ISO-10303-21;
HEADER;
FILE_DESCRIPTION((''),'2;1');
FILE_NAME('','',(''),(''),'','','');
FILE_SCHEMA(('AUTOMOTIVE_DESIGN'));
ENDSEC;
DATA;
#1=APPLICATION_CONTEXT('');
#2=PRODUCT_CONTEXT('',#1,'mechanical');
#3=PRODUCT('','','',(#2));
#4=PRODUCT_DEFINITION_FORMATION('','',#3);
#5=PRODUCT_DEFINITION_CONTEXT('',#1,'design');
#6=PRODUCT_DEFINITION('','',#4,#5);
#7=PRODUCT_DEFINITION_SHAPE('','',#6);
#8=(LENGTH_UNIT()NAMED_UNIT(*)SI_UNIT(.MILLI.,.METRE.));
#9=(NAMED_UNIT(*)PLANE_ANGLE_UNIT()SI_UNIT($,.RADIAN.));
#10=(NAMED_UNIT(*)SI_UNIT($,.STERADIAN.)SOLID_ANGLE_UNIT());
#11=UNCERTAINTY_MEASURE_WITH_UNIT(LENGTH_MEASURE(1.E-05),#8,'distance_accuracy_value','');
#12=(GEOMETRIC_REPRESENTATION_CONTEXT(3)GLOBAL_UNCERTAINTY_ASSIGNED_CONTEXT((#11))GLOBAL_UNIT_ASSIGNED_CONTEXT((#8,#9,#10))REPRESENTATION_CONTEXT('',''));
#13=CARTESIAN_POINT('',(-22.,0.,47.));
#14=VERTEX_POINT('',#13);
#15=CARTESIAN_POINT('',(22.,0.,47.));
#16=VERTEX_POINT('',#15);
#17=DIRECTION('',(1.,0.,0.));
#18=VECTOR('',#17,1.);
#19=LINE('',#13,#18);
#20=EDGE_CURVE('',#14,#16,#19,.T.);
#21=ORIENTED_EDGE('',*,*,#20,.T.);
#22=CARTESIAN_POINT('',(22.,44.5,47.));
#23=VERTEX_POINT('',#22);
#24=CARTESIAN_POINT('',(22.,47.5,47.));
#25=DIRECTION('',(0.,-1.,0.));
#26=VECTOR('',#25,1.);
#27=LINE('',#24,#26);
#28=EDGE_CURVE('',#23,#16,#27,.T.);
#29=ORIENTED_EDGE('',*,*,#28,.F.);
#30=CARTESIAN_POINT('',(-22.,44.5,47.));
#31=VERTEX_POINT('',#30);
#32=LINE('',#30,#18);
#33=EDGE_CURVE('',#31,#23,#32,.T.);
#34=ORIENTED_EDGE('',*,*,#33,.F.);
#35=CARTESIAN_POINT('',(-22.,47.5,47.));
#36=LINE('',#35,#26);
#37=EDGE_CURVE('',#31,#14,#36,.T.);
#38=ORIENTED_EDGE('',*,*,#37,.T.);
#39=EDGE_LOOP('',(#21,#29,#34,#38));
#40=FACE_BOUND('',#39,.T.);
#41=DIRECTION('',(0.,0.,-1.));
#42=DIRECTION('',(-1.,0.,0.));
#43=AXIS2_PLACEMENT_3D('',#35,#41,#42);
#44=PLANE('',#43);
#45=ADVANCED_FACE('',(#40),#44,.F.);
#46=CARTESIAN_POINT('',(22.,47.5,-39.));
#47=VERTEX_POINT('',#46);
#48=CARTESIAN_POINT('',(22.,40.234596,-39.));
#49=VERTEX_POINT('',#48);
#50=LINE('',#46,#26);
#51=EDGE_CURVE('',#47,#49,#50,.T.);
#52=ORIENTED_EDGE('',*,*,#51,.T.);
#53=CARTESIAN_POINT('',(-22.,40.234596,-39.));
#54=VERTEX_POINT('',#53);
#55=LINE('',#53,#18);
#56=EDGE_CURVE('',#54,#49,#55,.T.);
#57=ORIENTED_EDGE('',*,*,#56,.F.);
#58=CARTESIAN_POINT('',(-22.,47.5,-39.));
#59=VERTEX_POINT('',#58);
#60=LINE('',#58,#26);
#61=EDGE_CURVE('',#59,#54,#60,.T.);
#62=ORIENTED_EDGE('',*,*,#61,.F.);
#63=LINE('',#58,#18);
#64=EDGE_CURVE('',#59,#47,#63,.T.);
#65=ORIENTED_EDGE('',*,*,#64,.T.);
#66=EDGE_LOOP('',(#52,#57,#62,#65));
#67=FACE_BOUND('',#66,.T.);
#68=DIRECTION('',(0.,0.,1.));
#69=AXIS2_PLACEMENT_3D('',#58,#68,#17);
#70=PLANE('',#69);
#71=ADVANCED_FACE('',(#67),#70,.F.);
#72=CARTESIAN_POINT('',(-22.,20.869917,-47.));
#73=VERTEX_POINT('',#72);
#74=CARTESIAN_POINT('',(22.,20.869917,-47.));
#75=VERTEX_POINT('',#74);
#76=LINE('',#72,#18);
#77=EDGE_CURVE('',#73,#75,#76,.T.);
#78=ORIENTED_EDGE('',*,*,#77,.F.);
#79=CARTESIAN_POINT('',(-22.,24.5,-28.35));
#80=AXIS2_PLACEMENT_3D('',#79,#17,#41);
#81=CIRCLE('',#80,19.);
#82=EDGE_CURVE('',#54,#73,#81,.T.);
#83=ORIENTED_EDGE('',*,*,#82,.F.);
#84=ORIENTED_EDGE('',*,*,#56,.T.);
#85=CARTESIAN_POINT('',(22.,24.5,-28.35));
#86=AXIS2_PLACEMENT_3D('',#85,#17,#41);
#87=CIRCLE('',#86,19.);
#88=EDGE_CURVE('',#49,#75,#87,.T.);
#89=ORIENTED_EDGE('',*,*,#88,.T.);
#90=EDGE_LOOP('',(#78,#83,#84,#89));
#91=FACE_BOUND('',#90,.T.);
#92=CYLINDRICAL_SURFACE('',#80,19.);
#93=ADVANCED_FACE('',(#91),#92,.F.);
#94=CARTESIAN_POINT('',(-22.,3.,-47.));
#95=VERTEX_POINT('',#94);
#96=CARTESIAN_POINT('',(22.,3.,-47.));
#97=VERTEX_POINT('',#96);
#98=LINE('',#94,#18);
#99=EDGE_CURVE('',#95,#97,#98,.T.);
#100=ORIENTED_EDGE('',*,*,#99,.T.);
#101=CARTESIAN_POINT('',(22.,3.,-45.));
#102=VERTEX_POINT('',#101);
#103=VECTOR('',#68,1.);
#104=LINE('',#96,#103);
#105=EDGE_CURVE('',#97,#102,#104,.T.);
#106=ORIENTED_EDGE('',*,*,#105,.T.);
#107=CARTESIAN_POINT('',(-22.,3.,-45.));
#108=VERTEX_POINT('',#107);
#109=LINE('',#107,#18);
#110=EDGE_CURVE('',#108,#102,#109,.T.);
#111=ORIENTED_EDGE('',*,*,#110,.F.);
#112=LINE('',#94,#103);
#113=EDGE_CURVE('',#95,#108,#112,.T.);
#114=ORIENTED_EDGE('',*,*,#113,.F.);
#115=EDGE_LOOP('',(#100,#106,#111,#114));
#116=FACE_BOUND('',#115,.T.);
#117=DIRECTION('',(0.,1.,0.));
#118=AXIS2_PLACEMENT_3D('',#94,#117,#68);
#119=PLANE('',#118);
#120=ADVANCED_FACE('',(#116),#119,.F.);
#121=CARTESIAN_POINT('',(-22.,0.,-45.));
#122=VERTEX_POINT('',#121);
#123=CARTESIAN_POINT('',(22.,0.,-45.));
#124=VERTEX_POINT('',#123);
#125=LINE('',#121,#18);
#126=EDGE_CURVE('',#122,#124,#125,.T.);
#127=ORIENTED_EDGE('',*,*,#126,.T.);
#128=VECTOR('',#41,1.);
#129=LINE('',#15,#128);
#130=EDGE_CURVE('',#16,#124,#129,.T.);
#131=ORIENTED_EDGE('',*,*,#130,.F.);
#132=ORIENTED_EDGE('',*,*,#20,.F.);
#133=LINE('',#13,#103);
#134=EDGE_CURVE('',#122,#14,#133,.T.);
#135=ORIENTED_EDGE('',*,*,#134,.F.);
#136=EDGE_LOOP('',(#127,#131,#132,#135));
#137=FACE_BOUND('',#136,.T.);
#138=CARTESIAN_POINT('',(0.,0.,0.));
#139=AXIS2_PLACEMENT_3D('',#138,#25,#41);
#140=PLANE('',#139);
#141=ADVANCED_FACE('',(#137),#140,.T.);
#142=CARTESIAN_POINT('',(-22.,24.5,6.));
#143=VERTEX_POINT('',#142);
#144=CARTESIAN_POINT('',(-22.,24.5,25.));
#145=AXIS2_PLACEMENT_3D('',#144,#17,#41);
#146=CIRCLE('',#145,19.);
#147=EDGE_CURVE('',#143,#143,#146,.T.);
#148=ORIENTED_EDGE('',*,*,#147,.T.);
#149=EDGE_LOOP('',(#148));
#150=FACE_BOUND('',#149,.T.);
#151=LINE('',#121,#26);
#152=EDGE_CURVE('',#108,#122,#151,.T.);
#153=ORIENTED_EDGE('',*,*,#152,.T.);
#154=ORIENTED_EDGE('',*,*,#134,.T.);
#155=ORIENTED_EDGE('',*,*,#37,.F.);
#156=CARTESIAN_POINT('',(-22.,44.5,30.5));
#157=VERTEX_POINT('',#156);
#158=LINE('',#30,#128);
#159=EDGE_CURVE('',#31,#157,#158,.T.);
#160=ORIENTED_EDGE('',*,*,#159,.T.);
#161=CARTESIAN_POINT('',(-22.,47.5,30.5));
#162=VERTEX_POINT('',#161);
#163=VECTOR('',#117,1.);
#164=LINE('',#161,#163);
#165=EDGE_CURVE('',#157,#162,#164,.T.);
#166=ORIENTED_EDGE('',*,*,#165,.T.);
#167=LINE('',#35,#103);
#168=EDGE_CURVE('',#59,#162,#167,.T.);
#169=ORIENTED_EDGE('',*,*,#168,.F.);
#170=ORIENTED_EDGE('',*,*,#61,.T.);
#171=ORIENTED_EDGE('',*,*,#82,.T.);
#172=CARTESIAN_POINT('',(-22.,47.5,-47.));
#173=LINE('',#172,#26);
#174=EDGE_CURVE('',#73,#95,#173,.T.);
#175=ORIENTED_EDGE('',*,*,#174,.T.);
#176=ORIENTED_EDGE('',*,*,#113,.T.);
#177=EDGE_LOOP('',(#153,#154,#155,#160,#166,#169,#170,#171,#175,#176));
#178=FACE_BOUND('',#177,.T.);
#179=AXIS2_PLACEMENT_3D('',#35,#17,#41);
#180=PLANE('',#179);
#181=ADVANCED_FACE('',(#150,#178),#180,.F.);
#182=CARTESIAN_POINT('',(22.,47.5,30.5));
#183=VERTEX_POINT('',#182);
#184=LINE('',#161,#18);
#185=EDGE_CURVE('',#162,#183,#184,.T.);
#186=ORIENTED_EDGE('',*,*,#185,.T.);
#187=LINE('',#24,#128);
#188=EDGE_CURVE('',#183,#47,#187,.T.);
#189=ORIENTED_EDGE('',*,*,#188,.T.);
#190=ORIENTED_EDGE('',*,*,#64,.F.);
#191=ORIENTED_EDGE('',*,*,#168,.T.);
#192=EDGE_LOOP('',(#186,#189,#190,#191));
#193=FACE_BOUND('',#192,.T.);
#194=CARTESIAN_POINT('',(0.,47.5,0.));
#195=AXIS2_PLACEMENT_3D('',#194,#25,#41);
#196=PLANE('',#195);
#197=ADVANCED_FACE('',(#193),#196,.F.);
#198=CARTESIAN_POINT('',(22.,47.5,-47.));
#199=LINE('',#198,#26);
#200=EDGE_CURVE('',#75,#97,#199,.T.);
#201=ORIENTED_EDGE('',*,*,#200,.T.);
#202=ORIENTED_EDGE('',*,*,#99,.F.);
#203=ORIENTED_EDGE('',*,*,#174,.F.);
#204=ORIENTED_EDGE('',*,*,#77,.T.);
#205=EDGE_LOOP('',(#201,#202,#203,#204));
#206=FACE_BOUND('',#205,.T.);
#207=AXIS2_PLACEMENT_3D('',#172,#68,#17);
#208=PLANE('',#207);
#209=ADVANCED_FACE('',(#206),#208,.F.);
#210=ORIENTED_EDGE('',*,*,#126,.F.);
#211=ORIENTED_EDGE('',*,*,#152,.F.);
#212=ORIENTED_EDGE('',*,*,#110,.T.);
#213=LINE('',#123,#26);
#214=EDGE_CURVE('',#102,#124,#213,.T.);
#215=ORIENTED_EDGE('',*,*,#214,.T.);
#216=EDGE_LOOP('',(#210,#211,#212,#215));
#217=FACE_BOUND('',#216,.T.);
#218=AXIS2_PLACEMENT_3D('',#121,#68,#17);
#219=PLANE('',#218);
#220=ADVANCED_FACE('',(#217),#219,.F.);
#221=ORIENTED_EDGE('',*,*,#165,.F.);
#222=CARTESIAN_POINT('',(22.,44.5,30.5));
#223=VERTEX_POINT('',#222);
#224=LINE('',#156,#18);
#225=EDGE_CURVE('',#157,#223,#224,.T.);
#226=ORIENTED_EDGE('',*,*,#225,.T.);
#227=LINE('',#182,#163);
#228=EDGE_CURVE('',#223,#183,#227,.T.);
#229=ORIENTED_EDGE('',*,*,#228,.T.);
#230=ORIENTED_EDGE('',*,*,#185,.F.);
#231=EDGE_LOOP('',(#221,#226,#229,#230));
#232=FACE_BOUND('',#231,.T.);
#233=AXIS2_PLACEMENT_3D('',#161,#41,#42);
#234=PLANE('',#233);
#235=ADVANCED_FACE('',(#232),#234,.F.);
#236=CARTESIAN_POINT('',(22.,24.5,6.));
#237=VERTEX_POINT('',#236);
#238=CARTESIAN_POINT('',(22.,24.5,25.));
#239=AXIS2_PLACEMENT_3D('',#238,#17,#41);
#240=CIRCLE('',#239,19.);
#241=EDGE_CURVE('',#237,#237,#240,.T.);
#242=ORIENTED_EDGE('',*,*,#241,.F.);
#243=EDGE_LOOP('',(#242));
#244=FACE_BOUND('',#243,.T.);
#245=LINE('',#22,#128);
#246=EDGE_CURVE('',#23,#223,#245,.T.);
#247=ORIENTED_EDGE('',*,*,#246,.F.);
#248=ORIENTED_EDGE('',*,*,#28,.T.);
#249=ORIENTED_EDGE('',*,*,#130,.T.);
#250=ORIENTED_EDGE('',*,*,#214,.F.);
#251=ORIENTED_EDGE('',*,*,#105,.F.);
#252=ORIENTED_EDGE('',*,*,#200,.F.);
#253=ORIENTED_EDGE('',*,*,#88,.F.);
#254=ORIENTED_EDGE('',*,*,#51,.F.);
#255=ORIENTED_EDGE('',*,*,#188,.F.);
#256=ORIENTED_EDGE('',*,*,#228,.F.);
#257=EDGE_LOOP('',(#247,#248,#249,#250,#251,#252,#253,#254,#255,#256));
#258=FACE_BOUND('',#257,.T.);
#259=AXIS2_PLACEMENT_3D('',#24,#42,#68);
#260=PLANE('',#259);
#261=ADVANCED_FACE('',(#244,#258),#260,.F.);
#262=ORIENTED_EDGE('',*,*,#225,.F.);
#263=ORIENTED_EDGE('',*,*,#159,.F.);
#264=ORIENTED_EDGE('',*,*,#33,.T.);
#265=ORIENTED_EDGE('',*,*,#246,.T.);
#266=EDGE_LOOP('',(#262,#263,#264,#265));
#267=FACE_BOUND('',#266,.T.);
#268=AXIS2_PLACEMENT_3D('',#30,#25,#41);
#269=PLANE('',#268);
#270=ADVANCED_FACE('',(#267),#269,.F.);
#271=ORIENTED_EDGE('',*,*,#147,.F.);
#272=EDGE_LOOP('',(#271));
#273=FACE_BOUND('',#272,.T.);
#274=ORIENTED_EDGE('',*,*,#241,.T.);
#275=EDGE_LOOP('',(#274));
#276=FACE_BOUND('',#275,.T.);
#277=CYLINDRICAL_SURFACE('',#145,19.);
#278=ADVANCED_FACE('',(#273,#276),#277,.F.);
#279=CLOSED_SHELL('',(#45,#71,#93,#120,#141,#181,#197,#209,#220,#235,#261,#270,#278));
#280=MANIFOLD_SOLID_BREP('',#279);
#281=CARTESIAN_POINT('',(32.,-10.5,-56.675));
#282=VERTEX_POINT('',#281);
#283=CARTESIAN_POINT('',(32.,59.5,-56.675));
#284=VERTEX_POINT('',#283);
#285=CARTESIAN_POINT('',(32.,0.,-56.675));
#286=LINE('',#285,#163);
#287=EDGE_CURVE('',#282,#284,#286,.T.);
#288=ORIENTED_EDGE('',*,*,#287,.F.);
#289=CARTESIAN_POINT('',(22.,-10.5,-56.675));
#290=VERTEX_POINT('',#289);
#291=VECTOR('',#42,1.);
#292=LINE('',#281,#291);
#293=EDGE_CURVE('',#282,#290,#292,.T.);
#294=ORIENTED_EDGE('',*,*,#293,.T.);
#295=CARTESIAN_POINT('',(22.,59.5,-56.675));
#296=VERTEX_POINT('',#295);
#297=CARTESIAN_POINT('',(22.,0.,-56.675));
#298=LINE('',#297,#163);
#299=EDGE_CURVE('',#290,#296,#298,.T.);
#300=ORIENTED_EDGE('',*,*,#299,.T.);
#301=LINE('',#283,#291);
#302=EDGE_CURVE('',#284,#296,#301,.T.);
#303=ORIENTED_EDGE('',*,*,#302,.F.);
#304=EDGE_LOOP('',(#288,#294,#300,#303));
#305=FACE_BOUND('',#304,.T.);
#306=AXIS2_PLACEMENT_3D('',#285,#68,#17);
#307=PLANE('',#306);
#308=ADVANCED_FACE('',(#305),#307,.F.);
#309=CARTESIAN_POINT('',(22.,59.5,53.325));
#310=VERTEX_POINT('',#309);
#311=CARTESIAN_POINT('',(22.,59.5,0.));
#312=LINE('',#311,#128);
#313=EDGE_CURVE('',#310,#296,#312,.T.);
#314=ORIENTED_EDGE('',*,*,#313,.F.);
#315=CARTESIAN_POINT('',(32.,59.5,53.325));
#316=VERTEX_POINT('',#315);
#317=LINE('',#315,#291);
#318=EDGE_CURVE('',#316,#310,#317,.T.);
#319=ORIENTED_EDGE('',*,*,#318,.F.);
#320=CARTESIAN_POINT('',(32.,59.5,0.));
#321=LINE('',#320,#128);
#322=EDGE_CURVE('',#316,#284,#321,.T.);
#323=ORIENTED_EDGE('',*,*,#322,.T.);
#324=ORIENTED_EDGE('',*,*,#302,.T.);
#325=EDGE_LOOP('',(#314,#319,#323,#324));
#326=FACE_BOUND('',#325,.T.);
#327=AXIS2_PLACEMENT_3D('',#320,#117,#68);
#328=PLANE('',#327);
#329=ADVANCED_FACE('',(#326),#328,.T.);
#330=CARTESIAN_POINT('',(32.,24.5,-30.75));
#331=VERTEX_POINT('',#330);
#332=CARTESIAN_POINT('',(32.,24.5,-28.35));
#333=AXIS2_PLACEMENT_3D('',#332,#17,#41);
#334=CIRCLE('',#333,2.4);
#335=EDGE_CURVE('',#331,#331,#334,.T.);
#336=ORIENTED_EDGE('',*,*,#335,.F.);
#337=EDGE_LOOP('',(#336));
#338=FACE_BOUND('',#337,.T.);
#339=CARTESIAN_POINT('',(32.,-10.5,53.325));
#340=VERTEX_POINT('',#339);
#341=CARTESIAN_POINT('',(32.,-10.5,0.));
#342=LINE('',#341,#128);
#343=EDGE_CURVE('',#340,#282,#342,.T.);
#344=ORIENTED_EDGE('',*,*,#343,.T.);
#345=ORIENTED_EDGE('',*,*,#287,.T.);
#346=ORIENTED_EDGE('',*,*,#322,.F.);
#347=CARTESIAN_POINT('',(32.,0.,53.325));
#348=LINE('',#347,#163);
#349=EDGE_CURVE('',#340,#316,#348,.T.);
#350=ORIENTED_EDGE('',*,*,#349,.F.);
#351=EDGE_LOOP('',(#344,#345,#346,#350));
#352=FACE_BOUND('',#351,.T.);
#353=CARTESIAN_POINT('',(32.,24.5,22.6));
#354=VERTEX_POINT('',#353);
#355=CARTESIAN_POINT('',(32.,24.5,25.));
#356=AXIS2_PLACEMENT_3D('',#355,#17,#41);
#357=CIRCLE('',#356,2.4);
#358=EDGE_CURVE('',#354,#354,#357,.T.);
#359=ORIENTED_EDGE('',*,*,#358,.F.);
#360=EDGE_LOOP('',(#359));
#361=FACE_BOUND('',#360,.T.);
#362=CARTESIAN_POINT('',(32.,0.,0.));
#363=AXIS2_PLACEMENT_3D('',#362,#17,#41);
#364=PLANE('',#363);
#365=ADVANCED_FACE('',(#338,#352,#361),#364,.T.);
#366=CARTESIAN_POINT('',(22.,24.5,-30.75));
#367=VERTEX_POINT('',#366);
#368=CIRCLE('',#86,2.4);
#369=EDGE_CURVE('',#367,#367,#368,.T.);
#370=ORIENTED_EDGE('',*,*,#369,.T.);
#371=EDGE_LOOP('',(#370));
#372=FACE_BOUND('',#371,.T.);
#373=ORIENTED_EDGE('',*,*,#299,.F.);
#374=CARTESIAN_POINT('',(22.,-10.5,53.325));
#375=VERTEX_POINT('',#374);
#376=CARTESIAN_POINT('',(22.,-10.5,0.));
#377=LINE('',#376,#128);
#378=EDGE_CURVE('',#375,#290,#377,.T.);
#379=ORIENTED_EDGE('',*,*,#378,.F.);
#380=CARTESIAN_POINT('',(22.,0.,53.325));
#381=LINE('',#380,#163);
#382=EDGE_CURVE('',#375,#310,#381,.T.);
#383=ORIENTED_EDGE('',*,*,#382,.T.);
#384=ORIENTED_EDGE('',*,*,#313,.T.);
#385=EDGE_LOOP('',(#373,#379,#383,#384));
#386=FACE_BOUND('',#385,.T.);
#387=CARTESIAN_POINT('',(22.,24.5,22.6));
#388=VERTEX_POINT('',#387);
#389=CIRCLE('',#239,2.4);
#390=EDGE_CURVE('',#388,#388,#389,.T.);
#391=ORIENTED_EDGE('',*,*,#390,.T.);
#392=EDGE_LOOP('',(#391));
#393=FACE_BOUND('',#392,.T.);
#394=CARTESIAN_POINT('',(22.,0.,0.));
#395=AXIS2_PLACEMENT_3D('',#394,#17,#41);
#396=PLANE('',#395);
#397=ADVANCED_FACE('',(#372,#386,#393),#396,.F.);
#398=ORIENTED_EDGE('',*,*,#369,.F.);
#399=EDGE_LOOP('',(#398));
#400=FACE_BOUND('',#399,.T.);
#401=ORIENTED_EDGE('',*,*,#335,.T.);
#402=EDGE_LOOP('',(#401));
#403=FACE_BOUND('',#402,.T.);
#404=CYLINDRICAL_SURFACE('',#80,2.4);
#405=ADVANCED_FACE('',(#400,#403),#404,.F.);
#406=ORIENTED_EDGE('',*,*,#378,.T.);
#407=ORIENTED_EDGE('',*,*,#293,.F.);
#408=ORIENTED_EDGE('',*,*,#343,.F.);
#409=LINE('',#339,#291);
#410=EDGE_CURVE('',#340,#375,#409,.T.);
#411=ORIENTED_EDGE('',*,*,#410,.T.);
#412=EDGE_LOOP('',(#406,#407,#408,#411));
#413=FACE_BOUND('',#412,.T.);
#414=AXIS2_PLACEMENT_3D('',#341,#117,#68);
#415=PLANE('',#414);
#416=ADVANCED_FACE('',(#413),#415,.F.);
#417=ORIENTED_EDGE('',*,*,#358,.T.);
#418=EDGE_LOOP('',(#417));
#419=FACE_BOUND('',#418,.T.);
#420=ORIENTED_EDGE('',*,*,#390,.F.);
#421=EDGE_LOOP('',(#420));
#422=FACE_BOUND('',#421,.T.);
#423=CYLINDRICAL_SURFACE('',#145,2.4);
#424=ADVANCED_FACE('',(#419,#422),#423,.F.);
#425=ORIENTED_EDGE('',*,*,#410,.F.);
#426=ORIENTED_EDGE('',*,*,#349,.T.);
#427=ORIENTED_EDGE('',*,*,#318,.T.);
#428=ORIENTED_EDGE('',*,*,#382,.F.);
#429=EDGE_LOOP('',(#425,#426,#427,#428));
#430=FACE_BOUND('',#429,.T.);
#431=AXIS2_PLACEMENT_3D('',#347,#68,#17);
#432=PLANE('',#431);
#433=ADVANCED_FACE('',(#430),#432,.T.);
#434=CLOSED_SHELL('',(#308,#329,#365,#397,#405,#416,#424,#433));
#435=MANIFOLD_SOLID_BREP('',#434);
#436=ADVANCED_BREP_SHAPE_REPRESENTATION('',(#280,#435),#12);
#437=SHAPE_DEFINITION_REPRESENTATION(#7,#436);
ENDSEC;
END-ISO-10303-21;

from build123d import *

# Parameters (mm, degrees)
SKETCH1_W           = 44
SKETCH1_H           = 94
BOSS_EXTRUDE1_DEPTH = 47.5
SKETCH2_R           = 19
CUT_EXTRUDE1_DEPTH  = 81.007812119
SKETCH3_W           = 8
SKETCH3_H           = 9
SKETCH3_W_2         = 16.5
SKETCH3_H_2         = 3
SKETCH3_W_3         = 2
CUT_EXTRUDE2_DEPTH  = 81.007812119
SKETCH4_W           = 110
SKETCH4_H           = 70
SKETCH4_R           = 19
BOSS_EXTRUDE2_DEPTH = 10
SKETCH5_R           = 2.4
CUT_EXTRUDE3_DEPTH  = 99.327542555


with BuildPart() as part:
    # Sketch1 → Boss-Extrude1 (new body)
    with BuildSketch(Plane(origin=(0, 0, 0), x_dir=(1, 0, 0), z_dir=(0, 1, 0))):
        Rectangle(SKETCH1_W, SKETCH1_H)
    extrude(amount=BOSS_EXTRUDE1_DEPTH)

    # Sketch2 → Cut-Extrude1 (cut, through all)
    with BuildSketch(Plane(origin=(22, 0, 0), x_dir=(0, 0, -1), z_dir=(1, 0, 0))):
        with Locations((-25, 24.5)):
            Circle(SKETCH2_R)
        with Locations((28.35, 24.5)):
            Circle(SKETCH2_R)
    extrude(amount=-CUT_EXTRUDE1_DEPTH, mode=Mode.SUBTRACT)

    # Sketch3 → Cut-Extrude2 (cut, through all)
    with BuildSketch(Plane(origin=(22, 0, 0), x_dir=(0, 0, -1), z_dir=(1, 0, 0))):
        with Locations((43, 43)):
            Rectangle(SKETCH3_W, SKETCH3_H)
        with Locations((-38.75, 46)):
            Rectangle(SKETCH3_W_2, SKETCH3_H_2)
        with Locations((46, 1.5)):
            Rectangle(SKETCH3_W_3, SKETCH3_H_2)
    extrude(amount=-CUT_EXTRUDE2_DEPTH, mode=Mode.SUBTRACT)


with BuildPart() as cut_extrude2_kept_piece:
    # of the separate pieces the step leaves, the one the design keeps (cut_extrude2_pieces_kept)
    add(part.part.solids().sort_by_distance((-22, 0, 47))[0])


with BuildPart() as body_2:
    # Sketch4 → Boss-Extrude2 (new body)
    # profile 1 of 3: a face of its own
    with BuildSketch(Plane(origin=(22, 0, 0), x_dir=(0, 0, -1), z_dir=(1, 0, 0))):
        with Locations((1.675, 24.5)):
            Rectangle(SKETCH4_W, SKETCH4_H)
        with BuildLine():
            Line((-47, 0), (45, 0))
            Line((45, 0), (45, 3))
            Line((45, 3), (47, 3))
            Line((47, 3), (47, 20.869917356))
            ThreePointArc((47, 20.869917356), (10.78952759, 17.245359504), (39, 40.234595641))
            Line((39, 40.234595641), (39, 47.5))
            Line((39, 47.5), (-30.5, 47.5))
            Line((-30.5, 47.5), (-30.5, 44.5))
            Line((-30.5, 44.5), (-47, 44.5))
            Line((-47, 44.5), (-47, 0))
        make_face(mode=Mode.SUBTRACT)
    # profile 2 of 3: a face of its own
    with BuildSketch(Plane(origin=(22, 0, 0), x_dir=(0, 0, -1), z_dir=(1, 0, 0))):
        with BuildLine():
            Line((-47, 44.5), (-47, 0))
            Line((-47, 0), (45, 0))
            Line((45, 0), (45, 3))
            Line((45, 3), (47, 3))
            Line((47, 3), (47, 20.869917356))
            ThreePointArc((47, 20.869917356), (10.78952759, 17.245359504), (39, 40.234595641))
            Line((39, 40.234595641), (39, 47.5))
            Line((39, 47.5), (-30.5, 47.5))
            Line((-30.5, 47.5), (-30.5, 44.5))
            Line((-30.5, 44.5), (-47, 44.5))
        make_face()
        with Locations((-25, 24.5)):
            Circle(SKETCH4_R, mode=Mode.SUBTRACT)
    # profile 3 of 3: a face of its own
    with BuildSketch(Plane(origin=(22, 0, 0), x_dir=(0, 0, -1), z_dir=(1, 0, 0))):
        with Locations((-25, 24.5)):
            Circle(SKETCH4_R)
    extrude(amount=BOSS_EXTRUDE2_DEPTH)

    # Sketch5 → Cut-Extrude3 (cut, through all)
    with BuildSketch(Plane(origin=(32, 0, 0), x_dir=(0, 0, -1), z_dir=(1, 0, 0))):
        with Locations((-25, 24.5)):
            Circle(SKETCH5_R)
        with Locations((28.35, 24.5)):
            Circle(SKETCH5_R)
    extrude(amount=-CUT_EXTRUDE3_DEPTH, mode=Mode.SUBTRACT)


solid = Compound([cut_extrude2_kept_piece.part, body_2.part])
